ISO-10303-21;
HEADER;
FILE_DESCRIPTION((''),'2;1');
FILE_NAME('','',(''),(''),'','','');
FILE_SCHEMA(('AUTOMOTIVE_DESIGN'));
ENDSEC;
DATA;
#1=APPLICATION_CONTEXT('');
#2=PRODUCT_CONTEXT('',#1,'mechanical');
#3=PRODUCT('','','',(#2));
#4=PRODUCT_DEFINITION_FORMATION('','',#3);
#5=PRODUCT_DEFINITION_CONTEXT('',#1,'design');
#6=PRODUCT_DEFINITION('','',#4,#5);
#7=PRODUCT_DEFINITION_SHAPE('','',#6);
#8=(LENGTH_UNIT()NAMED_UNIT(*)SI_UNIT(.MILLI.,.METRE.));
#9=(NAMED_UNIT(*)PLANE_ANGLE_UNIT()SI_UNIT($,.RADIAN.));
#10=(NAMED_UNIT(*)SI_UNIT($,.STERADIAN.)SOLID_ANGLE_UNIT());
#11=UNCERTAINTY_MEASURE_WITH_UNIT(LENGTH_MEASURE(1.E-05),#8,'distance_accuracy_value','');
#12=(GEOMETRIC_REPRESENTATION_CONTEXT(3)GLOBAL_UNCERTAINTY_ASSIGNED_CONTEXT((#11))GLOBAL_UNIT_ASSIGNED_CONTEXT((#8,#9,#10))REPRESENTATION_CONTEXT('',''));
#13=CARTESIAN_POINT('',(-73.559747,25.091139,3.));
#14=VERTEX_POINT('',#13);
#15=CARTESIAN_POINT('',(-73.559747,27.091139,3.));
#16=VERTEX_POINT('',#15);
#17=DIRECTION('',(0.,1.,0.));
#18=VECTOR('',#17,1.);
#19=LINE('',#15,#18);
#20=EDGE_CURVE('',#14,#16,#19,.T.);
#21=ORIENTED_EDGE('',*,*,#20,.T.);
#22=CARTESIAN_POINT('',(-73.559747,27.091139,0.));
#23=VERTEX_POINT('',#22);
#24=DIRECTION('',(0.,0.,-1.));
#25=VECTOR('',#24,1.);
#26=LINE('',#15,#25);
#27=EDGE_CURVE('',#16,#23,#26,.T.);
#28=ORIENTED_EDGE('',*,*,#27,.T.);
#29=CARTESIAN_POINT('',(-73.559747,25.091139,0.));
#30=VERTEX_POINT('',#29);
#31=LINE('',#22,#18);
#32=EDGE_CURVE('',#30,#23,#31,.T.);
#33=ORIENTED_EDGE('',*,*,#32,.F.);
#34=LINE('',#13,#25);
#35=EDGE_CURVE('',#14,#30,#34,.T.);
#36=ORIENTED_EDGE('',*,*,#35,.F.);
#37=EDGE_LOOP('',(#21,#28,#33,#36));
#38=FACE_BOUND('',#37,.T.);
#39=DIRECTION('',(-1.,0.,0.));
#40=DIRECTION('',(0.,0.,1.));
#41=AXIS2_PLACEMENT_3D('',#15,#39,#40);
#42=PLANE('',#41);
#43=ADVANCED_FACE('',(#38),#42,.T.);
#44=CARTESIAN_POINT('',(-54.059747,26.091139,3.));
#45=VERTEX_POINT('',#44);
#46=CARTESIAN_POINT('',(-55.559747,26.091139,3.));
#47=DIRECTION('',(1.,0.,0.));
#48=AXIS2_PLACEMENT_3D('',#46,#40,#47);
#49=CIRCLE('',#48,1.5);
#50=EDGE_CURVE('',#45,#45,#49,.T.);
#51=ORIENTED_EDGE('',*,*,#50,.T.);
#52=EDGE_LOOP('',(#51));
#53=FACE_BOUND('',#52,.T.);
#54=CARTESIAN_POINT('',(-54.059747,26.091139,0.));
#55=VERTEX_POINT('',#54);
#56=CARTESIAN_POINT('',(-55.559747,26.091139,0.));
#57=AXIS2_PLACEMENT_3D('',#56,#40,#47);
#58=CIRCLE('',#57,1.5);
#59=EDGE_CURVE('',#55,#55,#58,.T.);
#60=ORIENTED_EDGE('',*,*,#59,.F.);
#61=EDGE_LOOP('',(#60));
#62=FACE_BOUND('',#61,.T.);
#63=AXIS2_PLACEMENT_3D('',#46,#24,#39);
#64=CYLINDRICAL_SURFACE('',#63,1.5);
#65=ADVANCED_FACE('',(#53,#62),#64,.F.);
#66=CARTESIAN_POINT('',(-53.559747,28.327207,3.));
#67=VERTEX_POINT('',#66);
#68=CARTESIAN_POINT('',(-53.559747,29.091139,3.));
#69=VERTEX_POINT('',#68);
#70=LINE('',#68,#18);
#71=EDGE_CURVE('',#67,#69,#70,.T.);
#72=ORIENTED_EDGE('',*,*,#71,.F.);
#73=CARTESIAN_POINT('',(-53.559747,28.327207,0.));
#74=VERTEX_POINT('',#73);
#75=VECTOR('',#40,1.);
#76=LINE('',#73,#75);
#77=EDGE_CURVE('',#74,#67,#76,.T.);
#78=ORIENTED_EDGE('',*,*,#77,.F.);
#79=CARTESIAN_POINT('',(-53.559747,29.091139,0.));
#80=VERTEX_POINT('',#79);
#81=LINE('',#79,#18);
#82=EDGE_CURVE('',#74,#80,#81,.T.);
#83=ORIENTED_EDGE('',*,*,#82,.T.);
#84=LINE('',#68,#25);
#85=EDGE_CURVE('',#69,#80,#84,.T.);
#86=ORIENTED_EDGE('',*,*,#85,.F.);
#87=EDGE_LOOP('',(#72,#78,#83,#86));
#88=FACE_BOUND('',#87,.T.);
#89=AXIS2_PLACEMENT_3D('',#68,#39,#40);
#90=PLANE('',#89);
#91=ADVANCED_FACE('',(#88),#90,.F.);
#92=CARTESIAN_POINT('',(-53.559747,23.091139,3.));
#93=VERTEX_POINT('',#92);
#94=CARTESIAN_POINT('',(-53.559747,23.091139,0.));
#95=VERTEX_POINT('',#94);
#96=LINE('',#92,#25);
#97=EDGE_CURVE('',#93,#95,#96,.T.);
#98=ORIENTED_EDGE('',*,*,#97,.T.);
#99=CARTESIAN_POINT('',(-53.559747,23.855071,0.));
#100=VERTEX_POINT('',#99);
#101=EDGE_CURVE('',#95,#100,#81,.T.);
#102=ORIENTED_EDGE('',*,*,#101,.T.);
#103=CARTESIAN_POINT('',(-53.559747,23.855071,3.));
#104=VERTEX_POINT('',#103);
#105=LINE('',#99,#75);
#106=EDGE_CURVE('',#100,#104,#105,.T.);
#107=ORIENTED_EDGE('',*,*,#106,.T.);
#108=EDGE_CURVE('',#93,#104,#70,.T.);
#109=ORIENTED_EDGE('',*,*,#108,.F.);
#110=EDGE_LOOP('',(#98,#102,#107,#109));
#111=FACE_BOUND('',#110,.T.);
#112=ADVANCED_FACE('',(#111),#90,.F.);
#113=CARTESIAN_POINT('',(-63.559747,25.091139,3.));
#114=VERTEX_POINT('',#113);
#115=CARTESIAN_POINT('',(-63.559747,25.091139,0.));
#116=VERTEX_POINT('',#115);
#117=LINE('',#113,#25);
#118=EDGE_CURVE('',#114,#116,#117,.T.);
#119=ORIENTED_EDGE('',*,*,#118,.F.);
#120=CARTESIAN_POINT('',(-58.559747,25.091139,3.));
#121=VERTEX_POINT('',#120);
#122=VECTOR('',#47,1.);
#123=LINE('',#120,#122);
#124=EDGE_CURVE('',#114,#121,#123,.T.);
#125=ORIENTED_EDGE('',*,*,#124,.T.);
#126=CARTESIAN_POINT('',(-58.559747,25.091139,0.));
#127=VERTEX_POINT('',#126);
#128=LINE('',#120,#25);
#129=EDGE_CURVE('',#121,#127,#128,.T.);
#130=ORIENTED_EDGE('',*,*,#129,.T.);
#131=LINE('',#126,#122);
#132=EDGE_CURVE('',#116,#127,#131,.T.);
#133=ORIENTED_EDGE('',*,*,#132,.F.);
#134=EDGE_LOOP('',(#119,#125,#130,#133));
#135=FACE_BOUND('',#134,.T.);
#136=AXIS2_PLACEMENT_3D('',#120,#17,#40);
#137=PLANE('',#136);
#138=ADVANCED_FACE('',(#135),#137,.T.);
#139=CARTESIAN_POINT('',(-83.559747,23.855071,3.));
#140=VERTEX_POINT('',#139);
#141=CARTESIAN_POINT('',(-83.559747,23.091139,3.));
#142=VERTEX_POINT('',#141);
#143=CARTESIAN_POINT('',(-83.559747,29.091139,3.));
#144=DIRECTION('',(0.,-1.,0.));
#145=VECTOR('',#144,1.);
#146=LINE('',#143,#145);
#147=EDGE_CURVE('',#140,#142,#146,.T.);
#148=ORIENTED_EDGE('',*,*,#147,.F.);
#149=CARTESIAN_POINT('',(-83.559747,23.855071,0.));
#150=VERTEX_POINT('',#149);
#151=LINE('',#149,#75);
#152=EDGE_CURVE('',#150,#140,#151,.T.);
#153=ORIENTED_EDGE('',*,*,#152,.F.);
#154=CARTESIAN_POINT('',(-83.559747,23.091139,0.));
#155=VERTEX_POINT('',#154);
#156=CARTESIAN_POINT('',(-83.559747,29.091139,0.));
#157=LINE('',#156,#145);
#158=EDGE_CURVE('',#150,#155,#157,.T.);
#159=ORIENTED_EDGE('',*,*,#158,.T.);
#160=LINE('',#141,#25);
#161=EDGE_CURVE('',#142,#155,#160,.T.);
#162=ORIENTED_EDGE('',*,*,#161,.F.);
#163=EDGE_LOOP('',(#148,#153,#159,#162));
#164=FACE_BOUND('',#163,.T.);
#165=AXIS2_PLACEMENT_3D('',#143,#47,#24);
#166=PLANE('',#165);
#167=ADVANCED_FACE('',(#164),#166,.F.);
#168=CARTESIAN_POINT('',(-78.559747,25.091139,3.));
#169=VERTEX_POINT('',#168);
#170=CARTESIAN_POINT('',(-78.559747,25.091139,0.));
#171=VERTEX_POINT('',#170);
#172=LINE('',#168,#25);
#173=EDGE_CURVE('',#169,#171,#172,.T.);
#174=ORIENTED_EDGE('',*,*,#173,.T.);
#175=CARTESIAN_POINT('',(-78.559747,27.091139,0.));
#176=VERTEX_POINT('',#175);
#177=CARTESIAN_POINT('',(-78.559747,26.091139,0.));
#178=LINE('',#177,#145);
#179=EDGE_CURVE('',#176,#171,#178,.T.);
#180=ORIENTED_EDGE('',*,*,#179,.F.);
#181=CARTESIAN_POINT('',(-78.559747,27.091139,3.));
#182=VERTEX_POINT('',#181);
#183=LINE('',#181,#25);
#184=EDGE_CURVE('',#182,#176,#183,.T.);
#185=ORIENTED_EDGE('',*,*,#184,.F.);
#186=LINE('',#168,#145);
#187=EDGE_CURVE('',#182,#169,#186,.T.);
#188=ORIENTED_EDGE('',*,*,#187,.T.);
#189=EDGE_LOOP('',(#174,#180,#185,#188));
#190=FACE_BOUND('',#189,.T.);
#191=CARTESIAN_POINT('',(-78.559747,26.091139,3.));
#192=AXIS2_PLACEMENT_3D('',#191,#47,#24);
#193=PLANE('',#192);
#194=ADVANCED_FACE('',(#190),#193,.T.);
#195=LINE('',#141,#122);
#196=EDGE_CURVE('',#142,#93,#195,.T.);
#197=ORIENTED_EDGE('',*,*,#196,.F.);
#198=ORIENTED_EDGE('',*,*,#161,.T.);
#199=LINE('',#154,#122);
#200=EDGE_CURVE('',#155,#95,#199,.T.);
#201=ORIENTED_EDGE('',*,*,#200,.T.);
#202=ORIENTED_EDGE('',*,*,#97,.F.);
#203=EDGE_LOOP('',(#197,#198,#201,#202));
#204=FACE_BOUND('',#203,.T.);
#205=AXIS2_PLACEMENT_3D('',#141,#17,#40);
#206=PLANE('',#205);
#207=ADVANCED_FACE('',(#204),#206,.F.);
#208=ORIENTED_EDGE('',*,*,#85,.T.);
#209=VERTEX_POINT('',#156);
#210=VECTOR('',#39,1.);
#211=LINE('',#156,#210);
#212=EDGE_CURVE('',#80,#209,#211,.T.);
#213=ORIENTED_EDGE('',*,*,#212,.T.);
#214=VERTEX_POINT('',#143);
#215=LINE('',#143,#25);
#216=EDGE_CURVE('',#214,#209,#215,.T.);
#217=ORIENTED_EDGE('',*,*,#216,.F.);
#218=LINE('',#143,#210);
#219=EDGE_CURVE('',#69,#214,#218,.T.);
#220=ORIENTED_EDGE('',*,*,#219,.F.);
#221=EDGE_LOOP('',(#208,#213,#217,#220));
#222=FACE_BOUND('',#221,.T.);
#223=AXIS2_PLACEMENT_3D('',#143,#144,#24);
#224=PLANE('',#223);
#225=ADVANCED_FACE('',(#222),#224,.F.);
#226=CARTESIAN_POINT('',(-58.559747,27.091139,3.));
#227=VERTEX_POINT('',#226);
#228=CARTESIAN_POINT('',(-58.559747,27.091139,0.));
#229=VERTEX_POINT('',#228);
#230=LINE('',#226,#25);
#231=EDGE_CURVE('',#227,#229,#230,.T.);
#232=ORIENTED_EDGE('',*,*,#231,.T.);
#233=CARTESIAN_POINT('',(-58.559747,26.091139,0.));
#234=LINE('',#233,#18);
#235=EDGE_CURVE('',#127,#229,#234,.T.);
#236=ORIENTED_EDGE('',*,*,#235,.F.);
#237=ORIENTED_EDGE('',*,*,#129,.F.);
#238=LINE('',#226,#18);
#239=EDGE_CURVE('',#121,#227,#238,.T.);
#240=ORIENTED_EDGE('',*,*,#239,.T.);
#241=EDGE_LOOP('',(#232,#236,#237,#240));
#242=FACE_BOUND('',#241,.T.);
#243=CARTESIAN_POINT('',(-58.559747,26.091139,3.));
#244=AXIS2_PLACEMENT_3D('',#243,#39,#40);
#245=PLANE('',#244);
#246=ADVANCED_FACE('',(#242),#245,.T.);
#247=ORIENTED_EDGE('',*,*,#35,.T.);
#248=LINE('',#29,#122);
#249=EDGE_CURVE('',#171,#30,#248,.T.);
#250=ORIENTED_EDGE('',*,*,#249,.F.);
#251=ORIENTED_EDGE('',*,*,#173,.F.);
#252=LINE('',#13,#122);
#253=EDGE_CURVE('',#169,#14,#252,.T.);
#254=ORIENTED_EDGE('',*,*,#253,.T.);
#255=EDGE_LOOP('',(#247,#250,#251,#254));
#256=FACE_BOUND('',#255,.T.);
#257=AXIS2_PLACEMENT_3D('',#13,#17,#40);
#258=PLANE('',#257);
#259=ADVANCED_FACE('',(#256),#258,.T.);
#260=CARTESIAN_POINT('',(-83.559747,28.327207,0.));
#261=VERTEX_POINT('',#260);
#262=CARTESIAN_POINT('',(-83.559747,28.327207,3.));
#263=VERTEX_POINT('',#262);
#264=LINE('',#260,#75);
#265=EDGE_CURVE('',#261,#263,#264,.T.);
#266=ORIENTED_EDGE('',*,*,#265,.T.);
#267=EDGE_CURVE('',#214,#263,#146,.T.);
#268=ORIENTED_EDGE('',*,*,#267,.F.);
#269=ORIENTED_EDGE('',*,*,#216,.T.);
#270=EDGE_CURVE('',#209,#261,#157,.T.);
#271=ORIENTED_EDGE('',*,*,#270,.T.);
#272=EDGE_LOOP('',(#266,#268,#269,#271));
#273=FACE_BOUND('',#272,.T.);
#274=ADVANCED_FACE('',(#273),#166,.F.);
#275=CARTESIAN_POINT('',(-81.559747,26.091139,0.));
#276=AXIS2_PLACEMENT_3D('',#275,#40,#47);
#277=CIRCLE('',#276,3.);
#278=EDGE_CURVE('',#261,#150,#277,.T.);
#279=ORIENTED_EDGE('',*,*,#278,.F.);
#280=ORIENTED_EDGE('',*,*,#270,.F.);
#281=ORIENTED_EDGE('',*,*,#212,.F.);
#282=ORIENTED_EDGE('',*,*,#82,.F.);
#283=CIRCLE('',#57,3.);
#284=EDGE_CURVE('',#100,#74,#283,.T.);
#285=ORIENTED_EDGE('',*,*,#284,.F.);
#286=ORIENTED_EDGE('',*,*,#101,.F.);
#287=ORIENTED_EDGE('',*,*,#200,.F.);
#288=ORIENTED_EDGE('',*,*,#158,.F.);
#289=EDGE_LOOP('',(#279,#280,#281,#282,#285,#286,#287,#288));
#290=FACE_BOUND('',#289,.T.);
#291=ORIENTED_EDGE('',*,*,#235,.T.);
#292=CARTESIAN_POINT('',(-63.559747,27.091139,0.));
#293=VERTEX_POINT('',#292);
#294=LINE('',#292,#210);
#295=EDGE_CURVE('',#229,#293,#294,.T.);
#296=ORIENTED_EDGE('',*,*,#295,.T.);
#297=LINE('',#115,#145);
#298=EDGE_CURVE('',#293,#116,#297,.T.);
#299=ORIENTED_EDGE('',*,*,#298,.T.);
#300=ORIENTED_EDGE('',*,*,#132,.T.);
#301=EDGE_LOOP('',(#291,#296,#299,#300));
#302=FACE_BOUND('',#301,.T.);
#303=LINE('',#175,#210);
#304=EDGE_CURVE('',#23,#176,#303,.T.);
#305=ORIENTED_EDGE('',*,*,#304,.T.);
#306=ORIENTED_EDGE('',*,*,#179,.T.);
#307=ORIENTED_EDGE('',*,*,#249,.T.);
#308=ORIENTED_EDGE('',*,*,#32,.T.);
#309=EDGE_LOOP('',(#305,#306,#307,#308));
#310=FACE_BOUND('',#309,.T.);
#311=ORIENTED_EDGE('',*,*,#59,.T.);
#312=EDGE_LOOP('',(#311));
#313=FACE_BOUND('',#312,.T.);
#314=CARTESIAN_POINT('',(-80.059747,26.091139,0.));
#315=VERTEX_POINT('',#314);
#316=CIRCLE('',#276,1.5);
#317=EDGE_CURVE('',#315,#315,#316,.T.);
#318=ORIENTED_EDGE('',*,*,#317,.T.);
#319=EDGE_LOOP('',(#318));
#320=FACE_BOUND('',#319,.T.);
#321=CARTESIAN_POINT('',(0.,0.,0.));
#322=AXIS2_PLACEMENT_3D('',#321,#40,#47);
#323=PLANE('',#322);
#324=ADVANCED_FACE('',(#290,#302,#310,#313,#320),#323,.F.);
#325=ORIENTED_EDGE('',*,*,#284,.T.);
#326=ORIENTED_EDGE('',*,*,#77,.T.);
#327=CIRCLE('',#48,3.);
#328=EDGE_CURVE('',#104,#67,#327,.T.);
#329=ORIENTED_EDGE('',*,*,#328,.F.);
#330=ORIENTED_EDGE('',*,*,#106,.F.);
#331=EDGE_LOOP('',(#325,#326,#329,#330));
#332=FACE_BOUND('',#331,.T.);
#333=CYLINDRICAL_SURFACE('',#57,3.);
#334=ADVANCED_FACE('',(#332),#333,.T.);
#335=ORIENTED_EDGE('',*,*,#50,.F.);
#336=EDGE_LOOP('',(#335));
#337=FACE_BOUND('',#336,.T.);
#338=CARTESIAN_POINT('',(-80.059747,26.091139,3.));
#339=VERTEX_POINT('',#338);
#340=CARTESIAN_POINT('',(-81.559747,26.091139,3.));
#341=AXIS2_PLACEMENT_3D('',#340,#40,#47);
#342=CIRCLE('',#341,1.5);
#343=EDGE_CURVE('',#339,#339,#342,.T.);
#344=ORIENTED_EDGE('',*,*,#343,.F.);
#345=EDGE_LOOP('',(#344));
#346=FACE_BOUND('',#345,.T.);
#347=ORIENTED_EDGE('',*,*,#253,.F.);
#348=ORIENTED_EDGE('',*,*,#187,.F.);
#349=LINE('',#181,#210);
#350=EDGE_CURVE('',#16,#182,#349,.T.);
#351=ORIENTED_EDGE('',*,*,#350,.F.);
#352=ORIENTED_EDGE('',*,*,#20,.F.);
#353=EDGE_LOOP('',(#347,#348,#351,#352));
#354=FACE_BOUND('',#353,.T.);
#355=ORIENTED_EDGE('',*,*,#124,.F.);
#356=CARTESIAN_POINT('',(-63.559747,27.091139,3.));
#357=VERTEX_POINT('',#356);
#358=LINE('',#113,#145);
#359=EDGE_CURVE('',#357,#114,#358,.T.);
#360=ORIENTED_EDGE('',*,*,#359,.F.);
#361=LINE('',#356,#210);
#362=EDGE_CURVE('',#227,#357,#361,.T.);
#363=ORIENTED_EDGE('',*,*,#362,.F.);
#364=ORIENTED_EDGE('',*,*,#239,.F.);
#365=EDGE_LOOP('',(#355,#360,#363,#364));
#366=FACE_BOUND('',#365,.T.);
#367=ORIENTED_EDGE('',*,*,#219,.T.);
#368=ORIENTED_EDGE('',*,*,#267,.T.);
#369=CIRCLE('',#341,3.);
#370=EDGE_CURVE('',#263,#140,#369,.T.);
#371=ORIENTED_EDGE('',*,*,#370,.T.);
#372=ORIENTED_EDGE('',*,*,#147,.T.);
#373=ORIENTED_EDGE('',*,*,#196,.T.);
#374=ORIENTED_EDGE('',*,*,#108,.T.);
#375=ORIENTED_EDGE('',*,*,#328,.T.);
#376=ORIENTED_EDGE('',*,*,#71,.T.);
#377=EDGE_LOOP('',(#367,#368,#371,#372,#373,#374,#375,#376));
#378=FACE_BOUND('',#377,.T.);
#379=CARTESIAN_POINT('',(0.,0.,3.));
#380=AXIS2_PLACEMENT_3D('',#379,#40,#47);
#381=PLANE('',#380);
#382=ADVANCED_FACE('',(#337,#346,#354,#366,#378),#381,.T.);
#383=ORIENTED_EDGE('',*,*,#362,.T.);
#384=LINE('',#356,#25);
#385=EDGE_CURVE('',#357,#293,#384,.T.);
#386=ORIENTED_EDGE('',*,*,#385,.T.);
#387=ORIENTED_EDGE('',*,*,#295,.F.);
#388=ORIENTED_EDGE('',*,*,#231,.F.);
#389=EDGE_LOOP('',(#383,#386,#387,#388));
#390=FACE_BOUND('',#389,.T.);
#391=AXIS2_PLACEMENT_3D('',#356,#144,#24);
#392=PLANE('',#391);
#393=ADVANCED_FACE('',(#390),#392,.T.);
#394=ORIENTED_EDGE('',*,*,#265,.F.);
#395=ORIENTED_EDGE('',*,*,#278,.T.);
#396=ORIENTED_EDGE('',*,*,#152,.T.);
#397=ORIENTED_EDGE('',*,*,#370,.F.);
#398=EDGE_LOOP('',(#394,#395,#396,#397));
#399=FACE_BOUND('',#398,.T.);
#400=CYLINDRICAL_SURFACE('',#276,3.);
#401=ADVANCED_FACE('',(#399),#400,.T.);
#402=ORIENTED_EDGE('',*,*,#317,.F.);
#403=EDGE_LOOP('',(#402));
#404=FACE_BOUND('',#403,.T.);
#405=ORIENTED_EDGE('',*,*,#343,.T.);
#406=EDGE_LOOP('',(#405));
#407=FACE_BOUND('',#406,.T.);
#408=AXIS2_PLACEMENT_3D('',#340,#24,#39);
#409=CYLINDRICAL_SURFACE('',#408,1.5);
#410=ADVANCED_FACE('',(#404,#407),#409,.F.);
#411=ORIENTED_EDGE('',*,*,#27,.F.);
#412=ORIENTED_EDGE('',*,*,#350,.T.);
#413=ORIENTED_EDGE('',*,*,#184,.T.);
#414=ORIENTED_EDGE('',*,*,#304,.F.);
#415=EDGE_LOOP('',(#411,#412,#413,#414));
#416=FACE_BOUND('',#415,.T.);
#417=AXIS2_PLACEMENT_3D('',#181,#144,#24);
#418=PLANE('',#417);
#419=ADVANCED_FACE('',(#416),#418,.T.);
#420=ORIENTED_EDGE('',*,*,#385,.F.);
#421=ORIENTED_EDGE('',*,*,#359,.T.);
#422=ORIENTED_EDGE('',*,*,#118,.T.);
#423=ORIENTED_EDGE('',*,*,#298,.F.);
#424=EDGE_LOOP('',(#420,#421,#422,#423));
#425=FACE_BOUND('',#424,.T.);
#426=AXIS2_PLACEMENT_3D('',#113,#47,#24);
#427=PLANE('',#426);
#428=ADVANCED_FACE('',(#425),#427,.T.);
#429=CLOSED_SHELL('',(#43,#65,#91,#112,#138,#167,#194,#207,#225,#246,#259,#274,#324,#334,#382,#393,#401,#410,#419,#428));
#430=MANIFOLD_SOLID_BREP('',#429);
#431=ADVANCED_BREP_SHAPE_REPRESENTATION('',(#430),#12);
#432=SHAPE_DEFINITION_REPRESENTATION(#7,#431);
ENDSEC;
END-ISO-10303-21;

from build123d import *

# Parameters (mm, degrees)
SKETCH1_W           = 30
SKETCH1_H           = 6
SKETCH1_R           = 1.5
BOSS_EXTRUDE1_DEPTH = 3
BOSS_EXTRUDE3_DEPTH = 3


with BuildPart() as part:
    # Sketch1 → Boss-Extrude1 (new body)
    with BuildSketch(Plane.XY):
        with Locations((-68.559747397, 26.091138903)):
            Rectangle(SKETCH1_W, SKETCH1_H)
        with Locations((-81.559747397, 26.091138903)):
            Circle(SKETCH1_R, mode=Mode.SUBTRACT)
        with Locations((-55.559747397, 26.091138903)):
            Circle(SKETCH1_R, mode=Mode.SUBTRACT)
        Polygon((-78.559747397, 26.091138903), (-78.559747397, 27.091138903), (-73.559747397, 27.091138903), (-73.559747397, 25.091138903), (-78.559747397, 25.091138903), align=None, mode=Mode.SUBTRACT)
        Polygon((-58.559747397, 26.091138903), (-58.559747397, 25.091138903), (-63.559747397, 25.091138903), (-63.559747397, 27.091138903), (-58.559747397, 27.091138903), align=None, mode=Mode.SUBTRACT)
    extrude(amount=BOSS_EXTRUDE1_DEPTH)

    # Sketch3 → Boss-Extrude3 (add)
    with BuildSketch(Plane.XY.offset(3)):
        with BuildLine():
            Line((-83.559747397, 26.091138903), (-83.559747397, 28.32720688))
            ThreePointArc((-83.559747397, 28.32720688), (-84.559747397, 26.091138903), (-83.559747397, 23.855070925))
            Line((-83.559747397, 23.855070925), (-83.559747397, 26.091138903))
        make_face()
        with BuildLine():
            Line((-53.559747397, 26.091138903), (-53.559747397, 28.32720688))
            ThreePointArc((-53.559747397, 28.32720688), (-52.559747397, 26.091138903), (-53.559747397, 23.855070925))
            Line((-53.559747397, 23.855070925), (-53.559747397, 26.091138903))
        make_face()
    extrude(amount=-BOSS_EXTRUDE3_DEPTH)


solid = part.part
